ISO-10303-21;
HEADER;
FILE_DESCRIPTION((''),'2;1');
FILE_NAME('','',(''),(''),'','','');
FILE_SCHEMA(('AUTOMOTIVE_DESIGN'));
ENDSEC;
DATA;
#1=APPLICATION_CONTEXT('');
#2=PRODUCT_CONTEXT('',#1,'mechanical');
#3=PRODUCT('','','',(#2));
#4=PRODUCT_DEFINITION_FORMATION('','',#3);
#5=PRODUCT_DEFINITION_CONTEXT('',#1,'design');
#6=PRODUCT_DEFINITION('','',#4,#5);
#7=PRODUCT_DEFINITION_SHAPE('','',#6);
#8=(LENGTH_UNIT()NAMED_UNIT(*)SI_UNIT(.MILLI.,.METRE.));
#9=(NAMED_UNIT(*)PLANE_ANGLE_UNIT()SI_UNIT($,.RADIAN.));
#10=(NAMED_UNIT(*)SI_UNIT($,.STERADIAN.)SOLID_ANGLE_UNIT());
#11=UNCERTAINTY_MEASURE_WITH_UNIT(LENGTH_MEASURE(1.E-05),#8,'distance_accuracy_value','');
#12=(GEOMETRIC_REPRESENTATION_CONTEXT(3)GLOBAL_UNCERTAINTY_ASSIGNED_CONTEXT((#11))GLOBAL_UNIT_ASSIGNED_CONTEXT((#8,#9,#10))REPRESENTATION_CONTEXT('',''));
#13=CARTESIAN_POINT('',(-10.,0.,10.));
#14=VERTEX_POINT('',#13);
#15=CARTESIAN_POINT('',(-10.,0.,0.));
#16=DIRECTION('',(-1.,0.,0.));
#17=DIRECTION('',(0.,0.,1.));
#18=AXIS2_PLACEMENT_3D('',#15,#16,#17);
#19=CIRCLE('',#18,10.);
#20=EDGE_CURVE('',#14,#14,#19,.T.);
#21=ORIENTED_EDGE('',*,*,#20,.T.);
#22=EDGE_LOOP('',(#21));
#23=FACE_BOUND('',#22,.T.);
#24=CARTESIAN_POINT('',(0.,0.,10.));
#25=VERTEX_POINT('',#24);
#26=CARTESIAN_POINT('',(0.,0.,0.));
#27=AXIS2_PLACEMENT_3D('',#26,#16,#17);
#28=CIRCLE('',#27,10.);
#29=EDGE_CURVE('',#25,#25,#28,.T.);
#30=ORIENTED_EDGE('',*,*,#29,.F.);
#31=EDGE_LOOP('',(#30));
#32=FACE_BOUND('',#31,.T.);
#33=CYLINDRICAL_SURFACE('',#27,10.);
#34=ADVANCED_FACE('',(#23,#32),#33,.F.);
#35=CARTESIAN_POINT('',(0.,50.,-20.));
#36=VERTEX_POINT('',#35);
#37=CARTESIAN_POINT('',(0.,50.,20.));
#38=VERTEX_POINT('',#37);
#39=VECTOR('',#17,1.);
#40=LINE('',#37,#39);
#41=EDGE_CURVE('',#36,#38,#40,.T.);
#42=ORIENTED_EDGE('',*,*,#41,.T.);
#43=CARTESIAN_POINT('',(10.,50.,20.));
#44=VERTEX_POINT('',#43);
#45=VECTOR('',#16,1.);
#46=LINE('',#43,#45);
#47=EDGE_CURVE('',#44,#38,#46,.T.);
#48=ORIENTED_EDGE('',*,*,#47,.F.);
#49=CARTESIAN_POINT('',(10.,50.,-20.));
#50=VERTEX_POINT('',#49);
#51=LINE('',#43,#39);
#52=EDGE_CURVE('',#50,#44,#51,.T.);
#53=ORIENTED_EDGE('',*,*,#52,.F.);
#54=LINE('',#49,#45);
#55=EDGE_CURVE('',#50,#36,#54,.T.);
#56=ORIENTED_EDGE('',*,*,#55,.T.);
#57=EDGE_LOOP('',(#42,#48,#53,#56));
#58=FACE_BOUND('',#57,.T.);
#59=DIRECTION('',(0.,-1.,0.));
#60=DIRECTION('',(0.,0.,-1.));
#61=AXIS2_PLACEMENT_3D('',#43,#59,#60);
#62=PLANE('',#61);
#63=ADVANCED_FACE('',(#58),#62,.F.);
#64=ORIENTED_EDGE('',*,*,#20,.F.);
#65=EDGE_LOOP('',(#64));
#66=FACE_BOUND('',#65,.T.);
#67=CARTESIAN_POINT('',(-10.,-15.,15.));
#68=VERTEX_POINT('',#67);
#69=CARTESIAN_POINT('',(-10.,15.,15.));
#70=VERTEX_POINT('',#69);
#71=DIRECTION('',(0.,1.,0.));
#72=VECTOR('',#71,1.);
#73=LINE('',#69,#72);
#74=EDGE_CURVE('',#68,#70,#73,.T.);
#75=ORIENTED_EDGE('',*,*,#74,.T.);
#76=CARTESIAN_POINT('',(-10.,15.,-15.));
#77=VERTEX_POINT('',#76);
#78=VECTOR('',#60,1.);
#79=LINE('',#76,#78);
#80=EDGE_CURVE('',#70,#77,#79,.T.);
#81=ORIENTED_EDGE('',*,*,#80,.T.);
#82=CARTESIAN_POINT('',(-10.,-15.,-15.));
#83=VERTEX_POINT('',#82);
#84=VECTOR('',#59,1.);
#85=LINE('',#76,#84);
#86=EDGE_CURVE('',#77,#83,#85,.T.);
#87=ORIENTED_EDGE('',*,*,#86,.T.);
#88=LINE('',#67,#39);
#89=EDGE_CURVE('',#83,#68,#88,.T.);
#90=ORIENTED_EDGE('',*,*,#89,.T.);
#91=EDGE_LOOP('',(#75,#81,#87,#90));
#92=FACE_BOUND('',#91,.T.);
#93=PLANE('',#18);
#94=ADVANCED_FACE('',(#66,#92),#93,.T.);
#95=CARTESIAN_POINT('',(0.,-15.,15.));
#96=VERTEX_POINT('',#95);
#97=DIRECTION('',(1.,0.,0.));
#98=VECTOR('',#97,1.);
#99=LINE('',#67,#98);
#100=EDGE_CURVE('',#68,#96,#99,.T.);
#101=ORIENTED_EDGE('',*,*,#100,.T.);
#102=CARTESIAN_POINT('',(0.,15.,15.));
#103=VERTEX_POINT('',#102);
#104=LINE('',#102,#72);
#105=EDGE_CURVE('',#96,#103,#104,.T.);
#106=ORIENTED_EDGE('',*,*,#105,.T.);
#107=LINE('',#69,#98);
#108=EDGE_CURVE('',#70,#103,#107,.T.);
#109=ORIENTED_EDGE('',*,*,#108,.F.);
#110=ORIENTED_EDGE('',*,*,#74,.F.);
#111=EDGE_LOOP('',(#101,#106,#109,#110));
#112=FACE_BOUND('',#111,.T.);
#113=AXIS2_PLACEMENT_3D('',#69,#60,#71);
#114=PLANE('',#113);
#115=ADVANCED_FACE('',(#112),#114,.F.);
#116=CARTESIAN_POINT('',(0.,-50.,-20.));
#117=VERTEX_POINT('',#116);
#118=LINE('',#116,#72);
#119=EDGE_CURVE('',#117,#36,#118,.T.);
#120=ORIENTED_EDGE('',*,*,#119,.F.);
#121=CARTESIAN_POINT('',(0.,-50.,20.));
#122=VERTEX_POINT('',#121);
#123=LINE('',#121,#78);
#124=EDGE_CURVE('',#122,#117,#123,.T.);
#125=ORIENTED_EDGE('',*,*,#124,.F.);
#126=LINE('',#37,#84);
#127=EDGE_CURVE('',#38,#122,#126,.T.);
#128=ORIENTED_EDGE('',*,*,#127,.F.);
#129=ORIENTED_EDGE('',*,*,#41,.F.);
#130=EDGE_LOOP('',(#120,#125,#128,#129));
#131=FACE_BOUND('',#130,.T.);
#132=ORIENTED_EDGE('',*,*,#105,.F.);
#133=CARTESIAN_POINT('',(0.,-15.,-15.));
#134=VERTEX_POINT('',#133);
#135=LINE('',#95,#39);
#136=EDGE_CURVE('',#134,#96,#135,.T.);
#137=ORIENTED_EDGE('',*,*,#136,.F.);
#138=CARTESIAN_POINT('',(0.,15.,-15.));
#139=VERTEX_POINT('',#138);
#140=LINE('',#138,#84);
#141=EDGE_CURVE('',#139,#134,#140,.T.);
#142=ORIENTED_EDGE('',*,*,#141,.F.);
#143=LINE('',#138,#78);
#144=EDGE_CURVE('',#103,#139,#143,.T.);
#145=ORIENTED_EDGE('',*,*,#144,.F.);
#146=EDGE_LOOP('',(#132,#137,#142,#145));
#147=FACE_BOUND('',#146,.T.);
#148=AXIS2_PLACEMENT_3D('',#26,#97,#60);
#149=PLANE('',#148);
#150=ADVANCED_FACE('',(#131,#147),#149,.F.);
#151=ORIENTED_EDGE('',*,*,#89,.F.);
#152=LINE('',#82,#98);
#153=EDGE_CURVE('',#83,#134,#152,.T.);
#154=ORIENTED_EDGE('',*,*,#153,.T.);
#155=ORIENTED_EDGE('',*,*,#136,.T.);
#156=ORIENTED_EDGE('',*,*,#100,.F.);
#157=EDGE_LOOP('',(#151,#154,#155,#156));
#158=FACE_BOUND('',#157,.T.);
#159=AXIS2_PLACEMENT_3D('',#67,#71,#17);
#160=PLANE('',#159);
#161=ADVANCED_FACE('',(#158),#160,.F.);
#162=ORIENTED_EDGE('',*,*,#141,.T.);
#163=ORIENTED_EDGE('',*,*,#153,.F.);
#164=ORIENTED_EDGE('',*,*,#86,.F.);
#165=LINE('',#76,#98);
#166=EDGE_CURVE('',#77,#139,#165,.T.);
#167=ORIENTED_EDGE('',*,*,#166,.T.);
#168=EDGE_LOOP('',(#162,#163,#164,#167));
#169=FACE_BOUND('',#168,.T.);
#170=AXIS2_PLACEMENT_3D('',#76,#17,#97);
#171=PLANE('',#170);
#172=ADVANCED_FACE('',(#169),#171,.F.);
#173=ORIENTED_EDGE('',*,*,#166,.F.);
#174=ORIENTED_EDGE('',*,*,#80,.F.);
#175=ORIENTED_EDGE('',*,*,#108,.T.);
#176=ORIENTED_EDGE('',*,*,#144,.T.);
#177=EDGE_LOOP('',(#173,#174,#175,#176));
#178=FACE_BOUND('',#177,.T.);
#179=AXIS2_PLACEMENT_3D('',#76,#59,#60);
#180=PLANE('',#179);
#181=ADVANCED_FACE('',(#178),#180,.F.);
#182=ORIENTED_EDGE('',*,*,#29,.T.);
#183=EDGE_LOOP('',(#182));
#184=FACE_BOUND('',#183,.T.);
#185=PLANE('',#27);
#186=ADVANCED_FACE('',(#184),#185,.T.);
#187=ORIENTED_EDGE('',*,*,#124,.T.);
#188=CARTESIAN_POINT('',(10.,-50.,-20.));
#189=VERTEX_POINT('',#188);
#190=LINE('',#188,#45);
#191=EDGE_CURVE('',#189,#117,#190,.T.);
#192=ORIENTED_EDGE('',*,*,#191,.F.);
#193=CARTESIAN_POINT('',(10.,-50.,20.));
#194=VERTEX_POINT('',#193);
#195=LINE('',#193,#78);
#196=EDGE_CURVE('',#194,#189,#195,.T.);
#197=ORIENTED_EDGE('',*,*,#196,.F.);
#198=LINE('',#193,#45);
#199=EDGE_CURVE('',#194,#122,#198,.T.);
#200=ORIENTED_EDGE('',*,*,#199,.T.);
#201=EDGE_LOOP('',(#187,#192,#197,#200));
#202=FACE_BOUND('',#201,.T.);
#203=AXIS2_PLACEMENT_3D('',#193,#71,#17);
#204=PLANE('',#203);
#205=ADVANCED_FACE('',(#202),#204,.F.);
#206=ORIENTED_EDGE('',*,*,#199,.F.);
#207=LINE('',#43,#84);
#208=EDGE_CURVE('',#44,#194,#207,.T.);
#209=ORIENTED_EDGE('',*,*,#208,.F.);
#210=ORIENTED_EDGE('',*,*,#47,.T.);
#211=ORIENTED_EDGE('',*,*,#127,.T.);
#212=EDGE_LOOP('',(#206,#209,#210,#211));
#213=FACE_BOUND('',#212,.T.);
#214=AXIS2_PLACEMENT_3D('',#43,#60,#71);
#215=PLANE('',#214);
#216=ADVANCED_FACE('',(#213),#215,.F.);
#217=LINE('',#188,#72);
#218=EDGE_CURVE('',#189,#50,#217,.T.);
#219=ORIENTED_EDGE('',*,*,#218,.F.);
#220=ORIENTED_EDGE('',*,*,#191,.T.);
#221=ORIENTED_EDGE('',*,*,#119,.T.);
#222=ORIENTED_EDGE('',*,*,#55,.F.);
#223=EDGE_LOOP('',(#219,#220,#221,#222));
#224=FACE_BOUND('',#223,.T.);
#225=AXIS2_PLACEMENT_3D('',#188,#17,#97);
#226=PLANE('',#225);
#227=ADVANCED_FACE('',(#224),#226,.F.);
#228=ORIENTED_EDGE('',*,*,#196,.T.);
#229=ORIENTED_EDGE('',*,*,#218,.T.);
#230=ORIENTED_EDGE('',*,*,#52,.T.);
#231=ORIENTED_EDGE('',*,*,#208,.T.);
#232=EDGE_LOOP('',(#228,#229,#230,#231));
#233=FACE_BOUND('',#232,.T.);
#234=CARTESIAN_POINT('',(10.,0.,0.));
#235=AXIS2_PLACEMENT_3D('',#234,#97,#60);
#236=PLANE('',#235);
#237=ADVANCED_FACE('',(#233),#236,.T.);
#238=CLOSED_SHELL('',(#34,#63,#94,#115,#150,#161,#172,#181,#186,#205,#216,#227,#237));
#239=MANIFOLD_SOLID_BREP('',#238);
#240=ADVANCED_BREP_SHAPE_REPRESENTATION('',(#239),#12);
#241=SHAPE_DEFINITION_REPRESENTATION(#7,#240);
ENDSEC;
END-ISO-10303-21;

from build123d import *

# Parameters (mm, degrees)
SKETCH1_W           = 40
SKETCH1_H           = 100
BOSS_EXTRUDE1_DEPTH = 10
SKETCH2_W           = 30
SKETCH2_H           = 30
BOSS_EXTRUDE2_DEPTH = 10
SKETCH3_R           = 10
CUT_EXTRUDE1_DEPTH  = 10


with BuildPart() as part:
    # Sketch1 → Boss-Extrude1 (new body)
    with BuildSketch(Plane(origin=(0, 0, 0), x_dir=(0, 0, -1), z_dir=(1, 0, 0))):
        Rectangle(SKETCH1_W, SKETCH1_H)
    extrude(amount=BOSS_EXTRUDE1_DEPTH)

    # Sketch2 → Boss-Extrude2 (add)
    with BuildSketch(Plane.ZY):
        Rectangle(SKETCH2_W, SKETCH2_H)
    extrude(amount=BOSS_EXTRUDE2_DEPTH)

    # Sketch3 → Cut-Extrude1 (cut)
    with BuildSketch(Plane.ZY.offset(10)):
        Circle(SKETCH3_R)
    extrude(amount=-CUT_EXTRUDE1_DEPTH, mode=Mode.SUBTRACT)


solid = part.part
